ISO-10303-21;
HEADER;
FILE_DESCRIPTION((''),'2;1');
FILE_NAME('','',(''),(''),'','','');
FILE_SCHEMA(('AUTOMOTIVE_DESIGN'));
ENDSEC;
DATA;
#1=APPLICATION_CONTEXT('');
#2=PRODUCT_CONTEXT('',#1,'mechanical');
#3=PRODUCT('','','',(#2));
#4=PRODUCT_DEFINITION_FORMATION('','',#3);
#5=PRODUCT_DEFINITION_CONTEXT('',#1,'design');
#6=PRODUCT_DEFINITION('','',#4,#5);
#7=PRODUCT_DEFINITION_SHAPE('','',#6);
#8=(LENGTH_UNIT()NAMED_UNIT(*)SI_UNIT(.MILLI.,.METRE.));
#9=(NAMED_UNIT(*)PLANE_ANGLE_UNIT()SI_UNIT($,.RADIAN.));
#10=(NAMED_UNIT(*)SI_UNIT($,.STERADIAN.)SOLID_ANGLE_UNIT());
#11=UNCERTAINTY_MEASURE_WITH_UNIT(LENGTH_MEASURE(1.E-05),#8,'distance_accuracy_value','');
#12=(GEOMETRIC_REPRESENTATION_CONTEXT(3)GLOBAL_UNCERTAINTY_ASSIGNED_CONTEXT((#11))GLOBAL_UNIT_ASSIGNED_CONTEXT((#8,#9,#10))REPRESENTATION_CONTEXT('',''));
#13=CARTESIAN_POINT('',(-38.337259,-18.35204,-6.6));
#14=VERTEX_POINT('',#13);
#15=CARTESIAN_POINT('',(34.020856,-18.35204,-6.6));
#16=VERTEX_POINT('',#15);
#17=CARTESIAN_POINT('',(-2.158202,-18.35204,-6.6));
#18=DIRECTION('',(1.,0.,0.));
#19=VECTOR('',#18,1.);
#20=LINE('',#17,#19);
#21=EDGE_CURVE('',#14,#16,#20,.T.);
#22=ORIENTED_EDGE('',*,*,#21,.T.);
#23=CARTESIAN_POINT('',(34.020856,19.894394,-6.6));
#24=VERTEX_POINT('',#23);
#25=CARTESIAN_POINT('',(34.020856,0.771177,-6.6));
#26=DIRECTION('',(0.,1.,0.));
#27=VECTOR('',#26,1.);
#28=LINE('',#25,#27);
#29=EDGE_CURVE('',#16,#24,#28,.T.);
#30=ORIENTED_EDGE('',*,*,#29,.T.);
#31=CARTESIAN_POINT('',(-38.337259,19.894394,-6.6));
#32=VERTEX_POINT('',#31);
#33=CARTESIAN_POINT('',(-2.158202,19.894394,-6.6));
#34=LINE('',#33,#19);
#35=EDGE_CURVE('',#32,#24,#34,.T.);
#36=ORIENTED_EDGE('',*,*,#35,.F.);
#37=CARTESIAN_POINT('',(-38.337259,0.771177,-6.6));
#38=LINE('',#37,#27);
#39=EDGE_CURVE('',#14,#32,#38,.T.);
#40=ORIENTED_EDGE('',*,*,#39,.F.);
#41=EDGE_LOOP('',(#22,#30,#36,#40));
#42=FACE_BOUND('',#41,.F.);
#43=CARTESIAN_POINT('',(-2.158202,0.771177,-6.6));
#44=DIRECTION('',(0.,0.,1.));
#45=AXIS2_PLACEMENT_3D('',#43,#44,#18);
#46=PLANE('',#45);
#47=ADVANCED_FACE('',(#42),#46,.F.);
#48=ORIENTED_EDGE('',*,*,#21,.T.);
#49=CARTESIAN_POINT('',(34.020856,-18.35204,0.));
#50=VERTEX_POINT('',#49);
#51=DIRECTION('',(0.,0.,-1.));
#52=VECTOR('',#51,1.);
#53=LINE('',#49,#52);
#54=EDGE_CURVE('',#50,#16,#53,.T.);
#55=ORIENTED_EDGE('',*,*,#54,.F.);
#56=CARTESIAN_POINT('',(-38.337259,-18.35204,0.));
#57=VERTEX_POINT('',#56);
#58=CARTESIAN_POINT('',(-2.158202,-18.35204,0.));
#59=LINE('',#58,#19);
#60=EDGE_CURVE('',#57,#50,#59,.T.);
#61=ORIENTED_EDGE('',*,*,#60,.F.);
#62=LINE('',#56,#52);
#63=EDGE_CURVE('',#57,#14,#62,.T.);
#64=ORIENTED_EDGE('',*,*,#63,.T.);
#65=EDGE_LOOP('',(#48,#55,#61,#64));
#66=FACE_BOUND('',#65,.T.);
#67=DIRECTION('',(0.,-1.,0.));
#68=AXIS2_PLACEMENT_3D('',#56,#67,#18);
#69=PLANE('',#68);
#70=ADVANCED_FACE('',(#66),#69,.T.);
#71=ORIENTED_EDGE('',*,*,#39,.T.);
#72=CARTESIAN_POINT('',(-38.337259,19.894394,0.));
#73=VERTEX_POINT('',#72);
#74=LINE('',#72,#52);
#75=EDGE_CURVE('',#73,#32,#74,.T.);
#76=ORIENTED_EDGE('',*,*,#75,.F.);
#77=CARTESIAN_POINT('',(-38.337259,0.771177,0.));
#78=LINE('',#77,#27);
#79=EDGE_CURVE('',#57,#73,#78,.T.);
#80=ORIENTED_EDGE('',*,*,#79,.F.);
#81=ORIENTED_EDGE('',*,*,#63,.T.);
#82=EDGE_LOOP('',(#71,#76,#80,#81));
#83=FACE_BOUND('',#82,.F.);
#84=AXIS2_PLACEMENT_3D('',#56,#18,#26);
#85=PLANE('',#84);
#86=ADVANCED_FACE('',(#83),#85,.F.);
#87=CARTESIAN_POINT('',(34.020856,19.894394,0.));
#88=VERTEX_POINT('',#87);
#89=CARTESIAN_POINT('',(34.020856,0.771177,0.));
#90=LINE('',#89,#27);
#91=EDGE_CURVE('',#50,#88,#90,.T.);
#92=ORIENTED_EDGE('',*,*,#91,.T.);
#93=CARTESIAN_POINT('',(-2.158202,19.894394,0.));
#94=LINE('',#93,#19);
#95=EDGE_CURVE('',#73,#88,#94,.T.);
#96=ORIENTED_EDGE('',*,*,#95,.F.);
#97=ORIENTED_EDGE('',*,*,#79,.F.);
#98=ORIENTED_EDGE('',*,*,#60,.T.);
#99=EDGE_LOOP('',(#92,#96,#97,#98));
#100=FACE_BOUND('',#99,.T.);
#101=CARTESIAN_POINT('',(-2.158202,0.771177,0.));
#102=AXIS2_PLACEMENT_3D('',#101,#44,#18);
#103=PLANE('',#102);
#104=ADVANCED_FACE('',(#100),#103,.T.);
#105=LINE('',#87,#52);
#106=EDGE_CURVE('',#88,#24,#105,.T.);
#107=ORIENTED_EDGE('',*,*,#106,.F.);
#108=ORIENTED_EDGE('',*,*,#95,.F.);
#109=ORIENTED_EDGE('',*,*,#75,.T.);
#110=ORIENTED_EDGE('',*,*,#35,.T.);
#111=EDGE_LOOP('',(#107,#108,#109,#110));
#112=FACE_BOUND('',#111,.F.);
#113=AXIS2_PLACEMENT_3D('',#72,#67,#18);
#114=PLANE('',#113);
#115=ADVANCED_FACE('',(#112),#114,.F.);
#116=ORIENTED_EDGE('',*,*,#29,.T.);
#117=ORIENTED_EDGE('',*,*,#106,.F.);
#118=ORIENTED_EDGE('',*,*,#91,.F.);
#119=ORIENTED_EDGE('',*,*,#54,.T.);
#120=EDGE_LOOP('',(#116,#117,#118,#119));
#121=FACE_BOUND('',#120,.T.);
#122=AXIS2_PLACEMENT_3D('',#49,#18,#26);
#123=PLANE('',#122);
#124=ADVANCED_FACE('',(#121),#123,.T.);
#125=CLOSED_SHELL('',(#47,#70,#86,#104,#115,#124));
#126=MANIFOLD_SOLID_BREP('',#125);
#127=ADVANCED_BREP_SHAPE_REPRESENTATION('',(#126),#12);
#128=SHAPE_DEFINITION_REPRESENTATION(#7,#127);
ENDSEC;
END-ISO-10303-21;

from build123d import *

# Parameters (mm, degrees)
F0_W     = 72.3581146449
F0_H     = 38.2464341819
F0_R     = 8.3369521155
F0_R_2   = 4.4778063471
F1_DEPTH = 6.6


with BuildPart() as f1:
    # F0 (on Top) → F1 (new body)
    with BuildSketch(Plane.XY):
        with Locations((-2.1582015324, 0.7711771177)):
            Rectangle(F0_W, F0_H)
        with Locations((-6.4561231993, 5.129121244)):
            Circle(F0_R, mode=Mode.SUBTRACT)
        with Locations((-6.4561231993, 5.129121244)):
            Circle(F0_R)
        with Locations((-6.4561231993, 5.129121244)):
            Circle(F0_R_2, mode=Mode.SUBTRACT)
        with Locations((-6.4561231993, 5.129121244)):
            Circle(F0_R_2)
    extrude(amount=-F1_DEPTH)


solid = f1.part
